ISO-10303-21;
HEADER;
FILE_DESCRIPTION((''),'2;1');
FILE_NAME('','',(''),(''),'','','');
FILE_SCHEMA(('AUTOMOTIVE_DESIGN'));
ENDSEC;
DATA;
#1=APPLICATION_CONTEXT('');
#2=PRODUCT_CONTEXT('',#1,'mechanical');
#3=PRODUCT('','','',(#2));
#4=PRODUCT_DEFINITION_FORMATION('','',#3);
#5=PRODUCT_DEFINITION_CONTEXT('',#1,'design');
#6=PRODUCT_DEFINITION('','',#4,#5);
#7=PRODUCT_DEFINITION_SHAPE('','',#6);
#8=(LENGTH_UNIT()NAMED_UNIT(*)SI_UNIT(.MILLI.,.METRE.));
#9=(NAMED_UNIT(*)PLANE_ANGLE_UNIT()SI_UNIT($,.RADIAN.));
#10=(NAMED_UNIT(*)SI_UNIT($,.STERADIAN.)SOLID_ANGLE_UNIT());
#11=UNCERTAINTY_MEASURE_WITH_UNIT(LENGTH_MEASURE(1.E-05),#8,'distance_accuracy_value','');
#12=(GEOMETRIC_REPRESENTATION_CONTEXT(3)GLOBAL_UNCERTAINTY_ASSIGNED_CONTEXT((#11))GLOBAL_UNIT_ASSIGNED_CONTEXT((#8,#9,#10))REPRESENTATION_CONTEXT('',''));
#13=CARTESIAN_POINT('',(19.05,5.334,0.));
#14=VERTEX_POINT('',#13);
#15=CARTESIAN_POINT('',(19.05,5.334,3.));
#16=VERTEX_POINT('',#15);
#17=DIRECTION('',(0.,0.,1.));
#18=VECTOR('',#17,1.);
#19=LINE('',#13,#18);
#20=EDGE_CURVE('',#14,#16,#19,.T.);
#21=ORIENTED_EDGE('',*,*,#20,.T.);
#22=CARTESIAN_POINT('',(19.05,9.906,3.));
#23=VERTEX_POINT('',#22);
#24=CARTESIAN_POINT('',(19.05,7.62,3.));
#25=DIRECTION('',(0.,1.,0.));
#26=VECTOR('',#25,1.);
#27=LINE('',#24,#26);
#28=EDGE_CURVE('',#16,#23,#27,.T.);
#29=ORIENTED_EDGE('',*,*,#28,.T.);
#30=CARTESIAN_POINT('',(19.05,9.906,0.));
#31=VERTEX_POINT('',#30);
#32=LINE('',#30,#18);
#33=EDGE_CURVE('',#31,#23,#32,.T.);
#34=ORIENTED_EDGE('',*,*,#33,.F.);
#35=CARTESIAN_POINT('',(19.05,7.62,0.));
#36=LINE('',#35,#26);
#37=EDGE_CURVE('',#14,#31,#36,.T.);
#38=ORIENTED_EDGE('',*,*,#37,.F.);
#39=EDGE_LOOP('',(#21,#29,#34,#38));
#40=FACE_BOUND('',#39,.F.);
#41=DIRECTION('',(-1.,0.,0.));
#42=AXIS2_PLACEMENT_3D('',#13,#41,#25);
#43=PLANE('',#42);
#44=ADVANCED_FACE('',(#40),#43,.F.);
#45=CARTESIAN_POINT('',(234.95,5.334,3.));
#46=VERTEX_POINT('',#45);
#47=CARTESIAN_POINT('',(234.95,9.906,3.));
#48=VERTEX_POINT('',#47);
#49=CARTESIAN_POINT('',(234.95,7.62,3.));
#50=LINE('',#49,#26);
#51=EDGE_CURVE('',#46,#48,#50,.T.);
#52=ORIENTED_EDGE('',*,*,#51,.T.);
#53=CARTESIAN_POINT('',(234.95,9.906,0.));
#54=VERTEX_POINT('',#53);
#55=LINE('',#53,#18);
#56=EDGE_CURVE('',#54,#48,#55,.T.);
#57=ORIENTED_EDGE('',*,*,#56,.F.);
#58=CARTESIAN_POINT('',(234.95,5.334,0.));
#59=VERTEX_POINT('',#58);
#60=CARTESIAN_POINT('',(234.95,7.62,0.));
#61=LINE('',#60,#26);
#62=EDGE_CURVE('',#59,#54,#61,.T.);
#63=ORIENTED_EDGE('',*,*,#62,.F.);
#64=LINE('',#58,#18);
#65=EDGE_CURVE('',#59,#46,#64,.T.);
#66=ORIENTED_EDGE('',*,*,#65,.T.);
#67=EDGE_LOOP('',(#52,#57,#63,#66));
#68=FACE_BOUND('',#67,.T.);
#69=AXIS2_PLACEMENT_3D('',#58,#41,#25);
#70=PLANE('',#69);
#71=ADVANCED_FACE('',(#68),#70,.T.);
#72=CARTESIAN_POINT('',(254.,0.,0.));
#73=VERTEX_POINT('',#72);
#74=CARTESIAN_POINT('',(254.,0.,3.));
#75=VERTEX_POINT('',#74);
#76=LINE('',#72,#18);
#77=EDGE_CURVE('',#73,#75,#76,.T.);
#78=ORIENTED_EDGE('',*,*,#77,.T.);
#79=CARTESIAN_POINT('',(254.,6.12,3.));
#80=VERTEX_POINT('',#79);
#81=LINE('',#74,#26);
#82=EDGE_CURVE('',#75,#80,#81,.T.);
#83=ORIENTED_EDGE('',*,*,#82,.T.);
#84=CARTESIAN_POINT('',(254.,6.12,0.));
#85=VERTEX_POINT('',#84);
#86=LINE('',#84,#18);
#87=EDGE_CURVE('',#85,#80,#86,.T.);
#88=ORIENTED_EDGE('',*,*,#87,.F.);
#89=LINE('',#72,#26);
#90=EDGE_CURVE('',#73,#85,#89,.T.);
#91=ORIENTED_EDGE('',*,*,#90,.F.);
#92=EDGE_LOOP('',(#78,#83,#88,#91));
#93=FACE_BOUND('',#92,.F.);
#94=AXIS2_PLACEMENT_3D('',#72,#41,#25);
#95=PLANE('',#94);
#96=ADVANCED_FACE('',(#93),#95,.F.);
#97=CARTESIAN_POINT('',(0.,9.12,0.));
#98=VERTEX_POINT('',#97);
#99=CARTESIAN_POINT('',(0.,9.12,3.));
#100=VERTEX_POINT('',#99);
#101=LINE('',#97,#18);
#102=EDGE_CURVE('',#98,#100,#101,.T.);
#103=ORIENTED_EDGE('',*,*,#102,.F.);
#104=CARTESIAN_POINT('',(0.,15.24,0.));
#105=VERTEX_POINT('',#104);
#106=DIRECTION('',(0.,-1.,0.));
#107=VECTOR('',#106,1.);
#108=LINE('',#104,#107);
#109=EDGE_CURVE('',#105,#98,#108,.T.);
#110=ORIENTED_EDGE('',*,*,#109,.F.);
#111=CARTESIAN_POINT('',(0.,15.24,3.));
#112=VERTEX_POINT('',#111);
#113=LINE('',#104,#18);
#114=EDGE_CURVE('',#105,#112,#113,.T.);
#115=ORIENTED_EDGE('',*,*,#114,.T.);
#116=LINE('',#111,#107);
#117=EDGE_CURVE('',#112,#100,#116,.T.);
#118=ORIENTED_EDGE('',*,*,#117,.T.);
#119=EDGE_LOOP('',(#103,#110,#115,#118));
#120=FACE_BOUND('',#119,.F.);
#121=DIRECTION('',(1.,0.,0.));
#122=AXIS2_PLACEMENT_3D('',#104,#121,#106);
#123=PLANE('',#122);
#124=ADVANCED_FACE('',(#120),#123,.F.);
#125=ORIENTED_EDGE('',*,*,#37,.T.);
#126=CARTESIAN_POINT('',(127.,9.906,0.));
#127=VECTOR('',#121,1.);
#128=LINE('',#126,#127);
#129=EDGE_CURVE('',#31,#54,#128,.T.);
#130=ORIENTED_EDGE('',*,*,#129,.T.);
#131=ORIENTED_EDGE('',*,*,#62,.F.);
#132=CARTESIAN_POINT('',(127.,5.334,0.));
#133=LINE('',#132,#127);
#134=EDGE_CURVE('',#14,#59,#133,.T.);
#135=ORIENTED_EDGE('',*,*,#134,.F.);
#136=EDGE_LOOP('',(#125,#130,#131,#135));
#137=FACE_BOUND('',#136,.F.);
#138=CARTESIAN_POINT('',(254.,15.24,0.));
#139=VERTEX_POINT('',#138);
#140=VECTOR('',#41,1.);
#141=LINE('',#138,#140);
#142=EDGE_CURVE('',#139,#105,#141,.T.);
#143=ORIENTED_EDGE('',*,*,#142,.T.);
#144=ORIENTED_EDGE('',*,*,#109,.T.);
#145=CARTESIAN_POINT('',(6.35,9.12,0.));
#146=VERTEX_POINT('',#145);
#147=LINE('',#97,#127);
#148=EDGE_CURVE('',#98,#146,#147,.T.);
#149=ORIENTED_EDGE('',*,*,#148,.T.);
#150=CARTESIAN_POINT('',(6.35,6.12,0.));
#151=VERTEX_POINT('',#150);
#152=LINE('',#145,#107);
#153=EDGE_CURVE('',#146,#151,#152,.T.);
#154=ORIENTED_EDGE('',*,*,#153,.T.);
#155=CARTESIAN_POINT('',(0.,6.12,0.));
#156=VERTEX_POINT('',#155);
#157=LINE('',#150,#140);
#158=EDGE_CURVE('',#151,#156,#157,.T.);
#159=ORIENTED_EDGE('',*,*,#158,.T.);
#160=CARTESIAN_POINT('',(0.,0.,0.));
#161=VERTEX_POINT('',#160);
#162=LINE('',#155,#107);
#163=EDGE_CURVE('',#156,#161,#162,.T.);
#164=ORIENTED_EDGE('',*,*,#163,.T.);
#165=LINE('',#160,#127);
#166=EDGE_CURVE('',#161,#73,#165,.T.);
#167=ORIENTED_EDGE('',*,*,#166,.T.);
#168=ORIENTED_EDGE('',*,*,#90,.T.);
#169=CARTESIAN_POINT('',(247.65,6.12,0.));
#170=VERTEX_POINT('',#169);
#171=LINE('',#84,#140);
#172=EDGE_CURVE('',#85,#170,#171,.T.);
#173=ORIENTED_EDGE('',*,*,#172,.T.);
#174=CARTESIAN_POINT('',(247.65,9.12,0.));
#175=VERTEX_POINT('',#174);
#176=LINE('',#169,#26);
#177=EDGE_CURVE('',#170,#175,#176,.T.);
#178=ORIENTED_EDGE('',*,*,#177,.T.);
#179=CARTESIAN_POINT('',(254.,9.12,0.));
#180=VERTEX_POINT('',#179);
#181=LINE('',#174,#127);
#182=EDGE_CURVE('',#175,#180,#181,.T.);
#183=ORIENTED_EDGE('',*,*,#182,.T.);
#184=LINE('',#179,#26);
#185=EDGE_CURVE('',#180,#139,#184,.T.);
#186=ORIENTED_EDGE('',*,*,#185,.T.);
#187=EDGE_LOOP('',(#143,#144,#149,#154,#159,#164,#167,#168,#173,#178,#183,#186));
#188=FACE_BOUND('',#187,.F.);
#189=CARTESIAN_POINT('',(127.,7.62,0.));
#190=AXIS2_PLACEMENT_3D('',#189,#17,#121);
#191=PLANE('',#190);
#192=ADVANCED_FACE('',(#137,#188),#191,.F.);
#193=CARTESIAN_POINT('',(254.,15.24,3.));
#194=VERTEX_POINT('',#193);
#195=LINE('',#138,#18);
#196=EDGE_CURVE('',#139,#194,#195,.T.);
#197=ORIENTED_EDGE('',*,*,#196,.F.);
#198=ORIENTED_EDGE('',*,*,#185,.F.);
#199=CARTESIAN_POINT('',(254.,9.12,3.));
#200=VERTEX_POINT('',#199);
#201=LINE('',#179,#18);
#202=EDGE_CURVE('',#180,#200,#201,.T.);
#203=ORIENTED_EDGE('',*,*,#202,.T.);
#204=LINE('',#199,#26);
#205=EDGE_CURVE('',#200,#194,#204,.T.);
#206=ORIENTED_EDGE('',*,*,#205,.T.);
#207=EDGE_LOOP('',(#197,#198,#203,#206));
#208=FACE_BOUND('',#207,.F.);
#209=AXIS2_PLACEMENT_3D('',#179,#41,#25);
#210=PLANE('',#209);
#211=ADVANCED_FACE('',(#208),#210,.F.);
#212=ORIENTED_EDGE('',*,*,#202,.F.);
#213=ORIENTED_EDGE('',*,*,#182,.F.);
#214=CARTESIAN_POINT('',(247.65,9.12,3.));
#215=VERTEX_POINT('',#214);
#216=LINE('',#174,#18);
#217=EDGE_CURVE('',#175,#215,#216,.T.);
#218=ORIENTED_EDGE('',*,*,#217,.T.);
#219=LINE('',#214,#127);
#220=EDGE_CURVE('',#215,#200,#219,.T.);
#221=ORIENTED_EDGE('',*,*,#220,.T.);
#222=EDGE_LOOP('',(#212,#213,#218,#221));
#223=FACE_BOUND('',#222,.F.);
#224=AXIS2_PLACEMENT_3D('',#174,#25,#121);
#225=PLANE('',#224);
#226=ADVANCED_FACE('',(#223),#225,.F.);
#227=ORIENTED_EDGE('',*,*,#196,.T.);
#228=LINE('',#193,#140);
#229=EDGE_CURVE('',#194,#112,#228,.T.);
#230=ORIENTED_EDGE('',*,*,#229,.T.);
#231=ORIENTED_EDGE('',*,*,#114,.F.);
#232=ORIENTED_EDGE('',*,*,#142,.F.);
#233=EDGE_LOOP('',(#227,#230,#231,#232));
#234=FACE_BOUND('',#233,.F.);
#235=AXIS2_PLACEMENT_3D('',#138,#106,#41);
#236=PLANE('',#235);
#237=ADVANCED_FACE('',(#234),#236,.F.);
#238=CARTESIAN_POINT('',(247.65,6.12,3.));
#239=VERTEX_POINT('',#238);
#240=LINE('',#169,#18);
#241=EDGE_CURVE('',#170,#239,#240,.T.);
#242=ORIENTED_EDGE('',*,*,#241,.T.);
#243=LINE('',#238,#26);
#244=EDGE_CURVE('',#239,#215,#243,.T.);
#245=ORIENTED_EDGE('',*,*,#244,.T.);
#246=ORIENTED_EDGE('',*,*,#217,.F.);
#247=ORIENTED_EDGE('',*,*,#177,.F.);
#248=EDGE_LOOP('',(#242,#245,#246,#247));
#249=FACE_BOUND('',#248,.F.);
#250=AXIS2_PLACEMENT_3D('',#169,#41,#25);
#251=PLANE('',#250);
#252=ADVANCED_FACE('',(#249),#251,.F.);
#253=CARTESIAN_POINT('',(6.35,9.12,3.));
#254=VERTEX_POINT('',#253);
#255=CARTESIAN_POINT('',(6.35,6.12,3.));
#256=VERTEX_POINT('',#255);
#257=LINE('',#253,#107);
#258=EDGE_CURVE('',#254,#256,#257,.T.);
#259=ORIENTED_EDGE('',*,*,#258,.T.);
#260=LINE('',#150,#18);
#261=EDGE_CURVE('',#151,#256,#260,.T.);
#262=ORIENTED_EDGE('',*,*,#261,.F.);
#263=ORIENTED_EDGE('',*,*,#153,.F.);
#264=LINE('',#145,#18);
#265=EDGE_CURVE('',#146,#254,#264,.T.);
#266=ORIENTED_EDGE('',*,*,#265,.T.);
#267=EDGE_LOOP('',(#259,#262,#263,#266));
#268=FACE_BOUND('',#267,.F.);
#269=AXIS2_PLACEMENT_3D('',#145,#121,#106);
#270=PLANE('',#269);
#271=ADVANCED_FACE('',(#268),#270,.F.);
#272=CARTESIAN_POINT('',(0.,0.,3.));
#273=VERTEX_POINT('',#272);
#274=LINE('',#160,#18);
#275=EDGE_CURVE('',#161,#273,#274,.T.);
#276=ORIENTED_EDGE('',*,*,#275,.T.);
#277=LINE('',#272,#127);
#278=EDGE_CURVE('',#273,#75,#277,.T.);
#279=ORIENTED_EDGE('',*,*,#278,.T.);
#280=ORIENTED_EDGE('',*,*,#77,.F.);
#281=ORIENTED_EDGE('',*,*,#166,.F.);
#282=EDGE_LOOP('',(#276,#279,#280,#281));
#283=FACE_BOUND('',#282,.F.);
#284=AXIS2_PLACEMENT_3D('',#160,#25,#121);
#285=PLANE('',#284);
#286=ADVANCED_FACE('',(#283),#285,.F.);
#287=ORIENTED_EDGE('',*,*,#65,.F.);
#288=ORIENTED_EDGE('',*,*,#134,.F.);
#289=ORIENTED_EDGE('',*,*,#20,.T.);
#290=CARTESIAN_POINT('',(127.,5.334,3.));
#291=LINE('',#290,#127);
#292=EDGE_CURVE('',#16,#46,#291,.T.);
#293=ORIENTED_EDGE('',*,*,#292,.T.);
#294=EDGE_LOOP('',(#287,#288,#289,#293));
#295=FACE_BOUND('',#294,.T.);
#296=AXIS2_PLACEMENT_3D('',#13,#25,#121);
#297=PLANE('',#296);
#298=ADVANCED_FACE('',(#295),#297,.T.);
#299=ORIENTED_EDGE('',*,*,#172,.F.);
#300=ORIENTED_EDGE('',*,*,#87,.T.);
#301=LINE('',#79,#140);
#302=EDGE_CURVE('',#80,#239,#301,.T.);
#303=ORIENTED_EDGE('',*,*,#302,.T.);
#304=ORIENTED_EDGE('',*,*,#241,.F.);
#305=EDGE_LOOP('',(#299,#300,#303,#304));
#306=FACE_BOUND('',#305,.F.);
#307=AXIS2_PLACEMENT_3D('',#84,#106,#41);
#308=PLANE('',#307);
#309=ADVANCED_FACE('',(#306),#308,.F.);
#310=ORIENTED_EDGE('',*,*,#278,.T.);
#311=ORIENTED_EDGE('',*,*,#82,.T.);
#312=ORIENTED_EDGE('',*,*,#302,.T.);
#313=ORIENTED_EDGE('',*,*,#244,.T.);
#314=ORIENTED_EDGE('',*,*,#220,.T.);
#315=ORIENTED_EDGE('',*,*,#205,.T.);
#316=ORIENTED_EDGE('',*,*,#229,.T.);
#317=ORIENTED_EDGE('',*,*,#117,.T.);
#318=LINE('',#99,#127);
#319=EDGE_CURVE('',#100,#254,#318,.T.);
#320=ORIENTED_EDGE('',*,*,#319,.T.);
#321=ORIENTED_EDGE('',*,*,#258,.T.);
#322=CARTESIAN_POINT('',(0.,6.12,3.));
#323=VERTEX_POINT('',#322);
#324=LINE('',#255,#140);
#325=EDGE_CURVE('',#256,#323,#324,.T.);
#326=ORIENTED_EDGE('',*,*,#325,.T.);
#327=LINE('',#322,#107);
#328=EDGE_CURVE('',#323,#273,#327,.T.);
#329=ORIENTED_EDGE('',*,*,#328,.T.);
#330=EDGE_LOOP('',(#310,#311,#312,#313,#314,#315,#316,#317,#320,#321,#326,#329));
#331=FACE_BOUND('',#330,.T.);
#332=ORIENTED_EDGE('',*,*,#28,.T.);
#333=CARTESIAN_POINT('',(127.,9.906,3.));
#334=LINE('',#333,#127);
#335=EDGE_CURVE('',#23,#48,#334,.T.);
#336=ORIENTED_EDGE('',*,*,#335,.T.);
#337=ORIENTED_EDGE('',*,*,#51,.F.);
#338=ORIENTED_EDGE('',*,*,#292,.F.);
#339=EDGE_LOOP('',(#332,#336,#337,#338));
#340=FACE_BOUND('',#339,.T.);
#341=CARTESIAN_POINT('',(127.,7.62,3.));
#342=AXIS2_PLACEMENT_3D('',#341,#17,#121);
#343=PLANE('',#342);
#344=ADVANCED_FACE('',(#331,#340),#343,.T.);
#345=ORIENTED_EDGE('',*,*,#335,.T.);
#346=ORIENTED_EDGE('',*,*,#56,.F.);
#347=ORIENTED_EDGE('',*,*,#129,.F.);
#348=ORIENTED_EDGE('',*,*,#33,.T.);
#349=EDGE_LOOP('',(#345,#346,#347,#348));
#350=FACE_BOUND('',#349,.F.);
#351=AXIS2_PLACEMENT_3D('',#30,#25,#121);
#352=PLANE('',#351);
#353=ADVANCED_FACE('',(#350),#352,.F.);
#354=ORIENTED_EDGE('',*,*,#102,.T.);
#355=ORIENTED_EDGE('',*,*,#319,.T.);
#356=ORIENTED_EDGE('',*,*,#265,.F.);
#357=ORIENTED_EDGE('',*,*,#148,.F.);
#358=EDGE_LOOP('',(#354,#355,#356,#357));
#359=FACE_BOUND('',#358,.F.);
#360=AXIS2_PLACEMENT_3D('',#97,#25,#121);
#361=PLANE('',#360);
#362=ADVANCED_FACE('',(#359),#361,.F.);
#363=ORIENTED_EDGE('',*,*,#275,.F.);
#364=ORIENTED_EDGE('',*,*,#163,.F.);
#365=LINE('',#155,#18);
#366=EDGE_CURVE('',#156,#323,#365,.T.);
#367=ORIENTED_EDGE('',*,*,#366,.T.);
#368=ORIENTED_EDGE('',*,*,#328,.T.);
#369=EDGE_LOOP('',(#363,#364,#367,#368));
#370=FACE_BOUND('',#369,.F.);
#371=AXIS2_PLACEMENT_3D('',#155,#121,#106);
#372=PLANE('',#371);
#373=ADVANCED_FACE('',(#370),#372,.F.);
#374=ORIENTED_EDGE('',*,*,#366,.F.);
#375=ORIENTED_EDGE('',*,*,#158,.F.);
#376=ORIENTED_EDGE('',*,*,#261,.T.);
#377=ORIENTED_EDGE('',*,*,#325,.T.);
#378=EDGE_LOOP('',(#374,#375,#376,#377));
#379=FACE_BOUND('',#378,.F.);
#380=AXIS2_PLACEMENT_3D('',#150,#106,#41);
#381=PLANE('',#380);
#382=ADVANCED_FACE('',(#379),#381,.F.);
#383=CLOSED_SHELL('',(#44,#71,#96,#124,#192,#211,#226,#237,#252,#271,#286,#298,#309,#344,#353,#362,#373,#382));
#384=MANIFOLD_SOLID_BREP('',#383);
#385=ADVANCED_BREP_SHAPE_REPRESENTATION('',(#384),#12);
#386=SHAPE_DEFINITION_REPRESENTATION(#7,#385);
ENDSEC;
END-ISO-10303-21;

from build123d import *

# Parameters (mm, degrees)
F0_W     = 215.9
F0_H     = 4.572
F1_DEPTH = 3


with BuildPart() as f1:
    # F0 (on Top) → F1 (new body)
    with BuildSketch(Plane.XY):
        Polygon((0, 6.12), (0, 0), (254, 0), (254, 6.12), (247.65, 6.12), (247.65, 9.12), (254, 9.12), (254, 15.24), (0, 15.24), (0, 9.12), (6.35, 9.12), (6.35, 6.12), align=None)
        with Locations((127, 7.62)):
            Rectangle(F0_W, F0_H, mode=Mode.SUBTRACT)
    extrude(amount=F1_DEPTH)


solid = f1.part
